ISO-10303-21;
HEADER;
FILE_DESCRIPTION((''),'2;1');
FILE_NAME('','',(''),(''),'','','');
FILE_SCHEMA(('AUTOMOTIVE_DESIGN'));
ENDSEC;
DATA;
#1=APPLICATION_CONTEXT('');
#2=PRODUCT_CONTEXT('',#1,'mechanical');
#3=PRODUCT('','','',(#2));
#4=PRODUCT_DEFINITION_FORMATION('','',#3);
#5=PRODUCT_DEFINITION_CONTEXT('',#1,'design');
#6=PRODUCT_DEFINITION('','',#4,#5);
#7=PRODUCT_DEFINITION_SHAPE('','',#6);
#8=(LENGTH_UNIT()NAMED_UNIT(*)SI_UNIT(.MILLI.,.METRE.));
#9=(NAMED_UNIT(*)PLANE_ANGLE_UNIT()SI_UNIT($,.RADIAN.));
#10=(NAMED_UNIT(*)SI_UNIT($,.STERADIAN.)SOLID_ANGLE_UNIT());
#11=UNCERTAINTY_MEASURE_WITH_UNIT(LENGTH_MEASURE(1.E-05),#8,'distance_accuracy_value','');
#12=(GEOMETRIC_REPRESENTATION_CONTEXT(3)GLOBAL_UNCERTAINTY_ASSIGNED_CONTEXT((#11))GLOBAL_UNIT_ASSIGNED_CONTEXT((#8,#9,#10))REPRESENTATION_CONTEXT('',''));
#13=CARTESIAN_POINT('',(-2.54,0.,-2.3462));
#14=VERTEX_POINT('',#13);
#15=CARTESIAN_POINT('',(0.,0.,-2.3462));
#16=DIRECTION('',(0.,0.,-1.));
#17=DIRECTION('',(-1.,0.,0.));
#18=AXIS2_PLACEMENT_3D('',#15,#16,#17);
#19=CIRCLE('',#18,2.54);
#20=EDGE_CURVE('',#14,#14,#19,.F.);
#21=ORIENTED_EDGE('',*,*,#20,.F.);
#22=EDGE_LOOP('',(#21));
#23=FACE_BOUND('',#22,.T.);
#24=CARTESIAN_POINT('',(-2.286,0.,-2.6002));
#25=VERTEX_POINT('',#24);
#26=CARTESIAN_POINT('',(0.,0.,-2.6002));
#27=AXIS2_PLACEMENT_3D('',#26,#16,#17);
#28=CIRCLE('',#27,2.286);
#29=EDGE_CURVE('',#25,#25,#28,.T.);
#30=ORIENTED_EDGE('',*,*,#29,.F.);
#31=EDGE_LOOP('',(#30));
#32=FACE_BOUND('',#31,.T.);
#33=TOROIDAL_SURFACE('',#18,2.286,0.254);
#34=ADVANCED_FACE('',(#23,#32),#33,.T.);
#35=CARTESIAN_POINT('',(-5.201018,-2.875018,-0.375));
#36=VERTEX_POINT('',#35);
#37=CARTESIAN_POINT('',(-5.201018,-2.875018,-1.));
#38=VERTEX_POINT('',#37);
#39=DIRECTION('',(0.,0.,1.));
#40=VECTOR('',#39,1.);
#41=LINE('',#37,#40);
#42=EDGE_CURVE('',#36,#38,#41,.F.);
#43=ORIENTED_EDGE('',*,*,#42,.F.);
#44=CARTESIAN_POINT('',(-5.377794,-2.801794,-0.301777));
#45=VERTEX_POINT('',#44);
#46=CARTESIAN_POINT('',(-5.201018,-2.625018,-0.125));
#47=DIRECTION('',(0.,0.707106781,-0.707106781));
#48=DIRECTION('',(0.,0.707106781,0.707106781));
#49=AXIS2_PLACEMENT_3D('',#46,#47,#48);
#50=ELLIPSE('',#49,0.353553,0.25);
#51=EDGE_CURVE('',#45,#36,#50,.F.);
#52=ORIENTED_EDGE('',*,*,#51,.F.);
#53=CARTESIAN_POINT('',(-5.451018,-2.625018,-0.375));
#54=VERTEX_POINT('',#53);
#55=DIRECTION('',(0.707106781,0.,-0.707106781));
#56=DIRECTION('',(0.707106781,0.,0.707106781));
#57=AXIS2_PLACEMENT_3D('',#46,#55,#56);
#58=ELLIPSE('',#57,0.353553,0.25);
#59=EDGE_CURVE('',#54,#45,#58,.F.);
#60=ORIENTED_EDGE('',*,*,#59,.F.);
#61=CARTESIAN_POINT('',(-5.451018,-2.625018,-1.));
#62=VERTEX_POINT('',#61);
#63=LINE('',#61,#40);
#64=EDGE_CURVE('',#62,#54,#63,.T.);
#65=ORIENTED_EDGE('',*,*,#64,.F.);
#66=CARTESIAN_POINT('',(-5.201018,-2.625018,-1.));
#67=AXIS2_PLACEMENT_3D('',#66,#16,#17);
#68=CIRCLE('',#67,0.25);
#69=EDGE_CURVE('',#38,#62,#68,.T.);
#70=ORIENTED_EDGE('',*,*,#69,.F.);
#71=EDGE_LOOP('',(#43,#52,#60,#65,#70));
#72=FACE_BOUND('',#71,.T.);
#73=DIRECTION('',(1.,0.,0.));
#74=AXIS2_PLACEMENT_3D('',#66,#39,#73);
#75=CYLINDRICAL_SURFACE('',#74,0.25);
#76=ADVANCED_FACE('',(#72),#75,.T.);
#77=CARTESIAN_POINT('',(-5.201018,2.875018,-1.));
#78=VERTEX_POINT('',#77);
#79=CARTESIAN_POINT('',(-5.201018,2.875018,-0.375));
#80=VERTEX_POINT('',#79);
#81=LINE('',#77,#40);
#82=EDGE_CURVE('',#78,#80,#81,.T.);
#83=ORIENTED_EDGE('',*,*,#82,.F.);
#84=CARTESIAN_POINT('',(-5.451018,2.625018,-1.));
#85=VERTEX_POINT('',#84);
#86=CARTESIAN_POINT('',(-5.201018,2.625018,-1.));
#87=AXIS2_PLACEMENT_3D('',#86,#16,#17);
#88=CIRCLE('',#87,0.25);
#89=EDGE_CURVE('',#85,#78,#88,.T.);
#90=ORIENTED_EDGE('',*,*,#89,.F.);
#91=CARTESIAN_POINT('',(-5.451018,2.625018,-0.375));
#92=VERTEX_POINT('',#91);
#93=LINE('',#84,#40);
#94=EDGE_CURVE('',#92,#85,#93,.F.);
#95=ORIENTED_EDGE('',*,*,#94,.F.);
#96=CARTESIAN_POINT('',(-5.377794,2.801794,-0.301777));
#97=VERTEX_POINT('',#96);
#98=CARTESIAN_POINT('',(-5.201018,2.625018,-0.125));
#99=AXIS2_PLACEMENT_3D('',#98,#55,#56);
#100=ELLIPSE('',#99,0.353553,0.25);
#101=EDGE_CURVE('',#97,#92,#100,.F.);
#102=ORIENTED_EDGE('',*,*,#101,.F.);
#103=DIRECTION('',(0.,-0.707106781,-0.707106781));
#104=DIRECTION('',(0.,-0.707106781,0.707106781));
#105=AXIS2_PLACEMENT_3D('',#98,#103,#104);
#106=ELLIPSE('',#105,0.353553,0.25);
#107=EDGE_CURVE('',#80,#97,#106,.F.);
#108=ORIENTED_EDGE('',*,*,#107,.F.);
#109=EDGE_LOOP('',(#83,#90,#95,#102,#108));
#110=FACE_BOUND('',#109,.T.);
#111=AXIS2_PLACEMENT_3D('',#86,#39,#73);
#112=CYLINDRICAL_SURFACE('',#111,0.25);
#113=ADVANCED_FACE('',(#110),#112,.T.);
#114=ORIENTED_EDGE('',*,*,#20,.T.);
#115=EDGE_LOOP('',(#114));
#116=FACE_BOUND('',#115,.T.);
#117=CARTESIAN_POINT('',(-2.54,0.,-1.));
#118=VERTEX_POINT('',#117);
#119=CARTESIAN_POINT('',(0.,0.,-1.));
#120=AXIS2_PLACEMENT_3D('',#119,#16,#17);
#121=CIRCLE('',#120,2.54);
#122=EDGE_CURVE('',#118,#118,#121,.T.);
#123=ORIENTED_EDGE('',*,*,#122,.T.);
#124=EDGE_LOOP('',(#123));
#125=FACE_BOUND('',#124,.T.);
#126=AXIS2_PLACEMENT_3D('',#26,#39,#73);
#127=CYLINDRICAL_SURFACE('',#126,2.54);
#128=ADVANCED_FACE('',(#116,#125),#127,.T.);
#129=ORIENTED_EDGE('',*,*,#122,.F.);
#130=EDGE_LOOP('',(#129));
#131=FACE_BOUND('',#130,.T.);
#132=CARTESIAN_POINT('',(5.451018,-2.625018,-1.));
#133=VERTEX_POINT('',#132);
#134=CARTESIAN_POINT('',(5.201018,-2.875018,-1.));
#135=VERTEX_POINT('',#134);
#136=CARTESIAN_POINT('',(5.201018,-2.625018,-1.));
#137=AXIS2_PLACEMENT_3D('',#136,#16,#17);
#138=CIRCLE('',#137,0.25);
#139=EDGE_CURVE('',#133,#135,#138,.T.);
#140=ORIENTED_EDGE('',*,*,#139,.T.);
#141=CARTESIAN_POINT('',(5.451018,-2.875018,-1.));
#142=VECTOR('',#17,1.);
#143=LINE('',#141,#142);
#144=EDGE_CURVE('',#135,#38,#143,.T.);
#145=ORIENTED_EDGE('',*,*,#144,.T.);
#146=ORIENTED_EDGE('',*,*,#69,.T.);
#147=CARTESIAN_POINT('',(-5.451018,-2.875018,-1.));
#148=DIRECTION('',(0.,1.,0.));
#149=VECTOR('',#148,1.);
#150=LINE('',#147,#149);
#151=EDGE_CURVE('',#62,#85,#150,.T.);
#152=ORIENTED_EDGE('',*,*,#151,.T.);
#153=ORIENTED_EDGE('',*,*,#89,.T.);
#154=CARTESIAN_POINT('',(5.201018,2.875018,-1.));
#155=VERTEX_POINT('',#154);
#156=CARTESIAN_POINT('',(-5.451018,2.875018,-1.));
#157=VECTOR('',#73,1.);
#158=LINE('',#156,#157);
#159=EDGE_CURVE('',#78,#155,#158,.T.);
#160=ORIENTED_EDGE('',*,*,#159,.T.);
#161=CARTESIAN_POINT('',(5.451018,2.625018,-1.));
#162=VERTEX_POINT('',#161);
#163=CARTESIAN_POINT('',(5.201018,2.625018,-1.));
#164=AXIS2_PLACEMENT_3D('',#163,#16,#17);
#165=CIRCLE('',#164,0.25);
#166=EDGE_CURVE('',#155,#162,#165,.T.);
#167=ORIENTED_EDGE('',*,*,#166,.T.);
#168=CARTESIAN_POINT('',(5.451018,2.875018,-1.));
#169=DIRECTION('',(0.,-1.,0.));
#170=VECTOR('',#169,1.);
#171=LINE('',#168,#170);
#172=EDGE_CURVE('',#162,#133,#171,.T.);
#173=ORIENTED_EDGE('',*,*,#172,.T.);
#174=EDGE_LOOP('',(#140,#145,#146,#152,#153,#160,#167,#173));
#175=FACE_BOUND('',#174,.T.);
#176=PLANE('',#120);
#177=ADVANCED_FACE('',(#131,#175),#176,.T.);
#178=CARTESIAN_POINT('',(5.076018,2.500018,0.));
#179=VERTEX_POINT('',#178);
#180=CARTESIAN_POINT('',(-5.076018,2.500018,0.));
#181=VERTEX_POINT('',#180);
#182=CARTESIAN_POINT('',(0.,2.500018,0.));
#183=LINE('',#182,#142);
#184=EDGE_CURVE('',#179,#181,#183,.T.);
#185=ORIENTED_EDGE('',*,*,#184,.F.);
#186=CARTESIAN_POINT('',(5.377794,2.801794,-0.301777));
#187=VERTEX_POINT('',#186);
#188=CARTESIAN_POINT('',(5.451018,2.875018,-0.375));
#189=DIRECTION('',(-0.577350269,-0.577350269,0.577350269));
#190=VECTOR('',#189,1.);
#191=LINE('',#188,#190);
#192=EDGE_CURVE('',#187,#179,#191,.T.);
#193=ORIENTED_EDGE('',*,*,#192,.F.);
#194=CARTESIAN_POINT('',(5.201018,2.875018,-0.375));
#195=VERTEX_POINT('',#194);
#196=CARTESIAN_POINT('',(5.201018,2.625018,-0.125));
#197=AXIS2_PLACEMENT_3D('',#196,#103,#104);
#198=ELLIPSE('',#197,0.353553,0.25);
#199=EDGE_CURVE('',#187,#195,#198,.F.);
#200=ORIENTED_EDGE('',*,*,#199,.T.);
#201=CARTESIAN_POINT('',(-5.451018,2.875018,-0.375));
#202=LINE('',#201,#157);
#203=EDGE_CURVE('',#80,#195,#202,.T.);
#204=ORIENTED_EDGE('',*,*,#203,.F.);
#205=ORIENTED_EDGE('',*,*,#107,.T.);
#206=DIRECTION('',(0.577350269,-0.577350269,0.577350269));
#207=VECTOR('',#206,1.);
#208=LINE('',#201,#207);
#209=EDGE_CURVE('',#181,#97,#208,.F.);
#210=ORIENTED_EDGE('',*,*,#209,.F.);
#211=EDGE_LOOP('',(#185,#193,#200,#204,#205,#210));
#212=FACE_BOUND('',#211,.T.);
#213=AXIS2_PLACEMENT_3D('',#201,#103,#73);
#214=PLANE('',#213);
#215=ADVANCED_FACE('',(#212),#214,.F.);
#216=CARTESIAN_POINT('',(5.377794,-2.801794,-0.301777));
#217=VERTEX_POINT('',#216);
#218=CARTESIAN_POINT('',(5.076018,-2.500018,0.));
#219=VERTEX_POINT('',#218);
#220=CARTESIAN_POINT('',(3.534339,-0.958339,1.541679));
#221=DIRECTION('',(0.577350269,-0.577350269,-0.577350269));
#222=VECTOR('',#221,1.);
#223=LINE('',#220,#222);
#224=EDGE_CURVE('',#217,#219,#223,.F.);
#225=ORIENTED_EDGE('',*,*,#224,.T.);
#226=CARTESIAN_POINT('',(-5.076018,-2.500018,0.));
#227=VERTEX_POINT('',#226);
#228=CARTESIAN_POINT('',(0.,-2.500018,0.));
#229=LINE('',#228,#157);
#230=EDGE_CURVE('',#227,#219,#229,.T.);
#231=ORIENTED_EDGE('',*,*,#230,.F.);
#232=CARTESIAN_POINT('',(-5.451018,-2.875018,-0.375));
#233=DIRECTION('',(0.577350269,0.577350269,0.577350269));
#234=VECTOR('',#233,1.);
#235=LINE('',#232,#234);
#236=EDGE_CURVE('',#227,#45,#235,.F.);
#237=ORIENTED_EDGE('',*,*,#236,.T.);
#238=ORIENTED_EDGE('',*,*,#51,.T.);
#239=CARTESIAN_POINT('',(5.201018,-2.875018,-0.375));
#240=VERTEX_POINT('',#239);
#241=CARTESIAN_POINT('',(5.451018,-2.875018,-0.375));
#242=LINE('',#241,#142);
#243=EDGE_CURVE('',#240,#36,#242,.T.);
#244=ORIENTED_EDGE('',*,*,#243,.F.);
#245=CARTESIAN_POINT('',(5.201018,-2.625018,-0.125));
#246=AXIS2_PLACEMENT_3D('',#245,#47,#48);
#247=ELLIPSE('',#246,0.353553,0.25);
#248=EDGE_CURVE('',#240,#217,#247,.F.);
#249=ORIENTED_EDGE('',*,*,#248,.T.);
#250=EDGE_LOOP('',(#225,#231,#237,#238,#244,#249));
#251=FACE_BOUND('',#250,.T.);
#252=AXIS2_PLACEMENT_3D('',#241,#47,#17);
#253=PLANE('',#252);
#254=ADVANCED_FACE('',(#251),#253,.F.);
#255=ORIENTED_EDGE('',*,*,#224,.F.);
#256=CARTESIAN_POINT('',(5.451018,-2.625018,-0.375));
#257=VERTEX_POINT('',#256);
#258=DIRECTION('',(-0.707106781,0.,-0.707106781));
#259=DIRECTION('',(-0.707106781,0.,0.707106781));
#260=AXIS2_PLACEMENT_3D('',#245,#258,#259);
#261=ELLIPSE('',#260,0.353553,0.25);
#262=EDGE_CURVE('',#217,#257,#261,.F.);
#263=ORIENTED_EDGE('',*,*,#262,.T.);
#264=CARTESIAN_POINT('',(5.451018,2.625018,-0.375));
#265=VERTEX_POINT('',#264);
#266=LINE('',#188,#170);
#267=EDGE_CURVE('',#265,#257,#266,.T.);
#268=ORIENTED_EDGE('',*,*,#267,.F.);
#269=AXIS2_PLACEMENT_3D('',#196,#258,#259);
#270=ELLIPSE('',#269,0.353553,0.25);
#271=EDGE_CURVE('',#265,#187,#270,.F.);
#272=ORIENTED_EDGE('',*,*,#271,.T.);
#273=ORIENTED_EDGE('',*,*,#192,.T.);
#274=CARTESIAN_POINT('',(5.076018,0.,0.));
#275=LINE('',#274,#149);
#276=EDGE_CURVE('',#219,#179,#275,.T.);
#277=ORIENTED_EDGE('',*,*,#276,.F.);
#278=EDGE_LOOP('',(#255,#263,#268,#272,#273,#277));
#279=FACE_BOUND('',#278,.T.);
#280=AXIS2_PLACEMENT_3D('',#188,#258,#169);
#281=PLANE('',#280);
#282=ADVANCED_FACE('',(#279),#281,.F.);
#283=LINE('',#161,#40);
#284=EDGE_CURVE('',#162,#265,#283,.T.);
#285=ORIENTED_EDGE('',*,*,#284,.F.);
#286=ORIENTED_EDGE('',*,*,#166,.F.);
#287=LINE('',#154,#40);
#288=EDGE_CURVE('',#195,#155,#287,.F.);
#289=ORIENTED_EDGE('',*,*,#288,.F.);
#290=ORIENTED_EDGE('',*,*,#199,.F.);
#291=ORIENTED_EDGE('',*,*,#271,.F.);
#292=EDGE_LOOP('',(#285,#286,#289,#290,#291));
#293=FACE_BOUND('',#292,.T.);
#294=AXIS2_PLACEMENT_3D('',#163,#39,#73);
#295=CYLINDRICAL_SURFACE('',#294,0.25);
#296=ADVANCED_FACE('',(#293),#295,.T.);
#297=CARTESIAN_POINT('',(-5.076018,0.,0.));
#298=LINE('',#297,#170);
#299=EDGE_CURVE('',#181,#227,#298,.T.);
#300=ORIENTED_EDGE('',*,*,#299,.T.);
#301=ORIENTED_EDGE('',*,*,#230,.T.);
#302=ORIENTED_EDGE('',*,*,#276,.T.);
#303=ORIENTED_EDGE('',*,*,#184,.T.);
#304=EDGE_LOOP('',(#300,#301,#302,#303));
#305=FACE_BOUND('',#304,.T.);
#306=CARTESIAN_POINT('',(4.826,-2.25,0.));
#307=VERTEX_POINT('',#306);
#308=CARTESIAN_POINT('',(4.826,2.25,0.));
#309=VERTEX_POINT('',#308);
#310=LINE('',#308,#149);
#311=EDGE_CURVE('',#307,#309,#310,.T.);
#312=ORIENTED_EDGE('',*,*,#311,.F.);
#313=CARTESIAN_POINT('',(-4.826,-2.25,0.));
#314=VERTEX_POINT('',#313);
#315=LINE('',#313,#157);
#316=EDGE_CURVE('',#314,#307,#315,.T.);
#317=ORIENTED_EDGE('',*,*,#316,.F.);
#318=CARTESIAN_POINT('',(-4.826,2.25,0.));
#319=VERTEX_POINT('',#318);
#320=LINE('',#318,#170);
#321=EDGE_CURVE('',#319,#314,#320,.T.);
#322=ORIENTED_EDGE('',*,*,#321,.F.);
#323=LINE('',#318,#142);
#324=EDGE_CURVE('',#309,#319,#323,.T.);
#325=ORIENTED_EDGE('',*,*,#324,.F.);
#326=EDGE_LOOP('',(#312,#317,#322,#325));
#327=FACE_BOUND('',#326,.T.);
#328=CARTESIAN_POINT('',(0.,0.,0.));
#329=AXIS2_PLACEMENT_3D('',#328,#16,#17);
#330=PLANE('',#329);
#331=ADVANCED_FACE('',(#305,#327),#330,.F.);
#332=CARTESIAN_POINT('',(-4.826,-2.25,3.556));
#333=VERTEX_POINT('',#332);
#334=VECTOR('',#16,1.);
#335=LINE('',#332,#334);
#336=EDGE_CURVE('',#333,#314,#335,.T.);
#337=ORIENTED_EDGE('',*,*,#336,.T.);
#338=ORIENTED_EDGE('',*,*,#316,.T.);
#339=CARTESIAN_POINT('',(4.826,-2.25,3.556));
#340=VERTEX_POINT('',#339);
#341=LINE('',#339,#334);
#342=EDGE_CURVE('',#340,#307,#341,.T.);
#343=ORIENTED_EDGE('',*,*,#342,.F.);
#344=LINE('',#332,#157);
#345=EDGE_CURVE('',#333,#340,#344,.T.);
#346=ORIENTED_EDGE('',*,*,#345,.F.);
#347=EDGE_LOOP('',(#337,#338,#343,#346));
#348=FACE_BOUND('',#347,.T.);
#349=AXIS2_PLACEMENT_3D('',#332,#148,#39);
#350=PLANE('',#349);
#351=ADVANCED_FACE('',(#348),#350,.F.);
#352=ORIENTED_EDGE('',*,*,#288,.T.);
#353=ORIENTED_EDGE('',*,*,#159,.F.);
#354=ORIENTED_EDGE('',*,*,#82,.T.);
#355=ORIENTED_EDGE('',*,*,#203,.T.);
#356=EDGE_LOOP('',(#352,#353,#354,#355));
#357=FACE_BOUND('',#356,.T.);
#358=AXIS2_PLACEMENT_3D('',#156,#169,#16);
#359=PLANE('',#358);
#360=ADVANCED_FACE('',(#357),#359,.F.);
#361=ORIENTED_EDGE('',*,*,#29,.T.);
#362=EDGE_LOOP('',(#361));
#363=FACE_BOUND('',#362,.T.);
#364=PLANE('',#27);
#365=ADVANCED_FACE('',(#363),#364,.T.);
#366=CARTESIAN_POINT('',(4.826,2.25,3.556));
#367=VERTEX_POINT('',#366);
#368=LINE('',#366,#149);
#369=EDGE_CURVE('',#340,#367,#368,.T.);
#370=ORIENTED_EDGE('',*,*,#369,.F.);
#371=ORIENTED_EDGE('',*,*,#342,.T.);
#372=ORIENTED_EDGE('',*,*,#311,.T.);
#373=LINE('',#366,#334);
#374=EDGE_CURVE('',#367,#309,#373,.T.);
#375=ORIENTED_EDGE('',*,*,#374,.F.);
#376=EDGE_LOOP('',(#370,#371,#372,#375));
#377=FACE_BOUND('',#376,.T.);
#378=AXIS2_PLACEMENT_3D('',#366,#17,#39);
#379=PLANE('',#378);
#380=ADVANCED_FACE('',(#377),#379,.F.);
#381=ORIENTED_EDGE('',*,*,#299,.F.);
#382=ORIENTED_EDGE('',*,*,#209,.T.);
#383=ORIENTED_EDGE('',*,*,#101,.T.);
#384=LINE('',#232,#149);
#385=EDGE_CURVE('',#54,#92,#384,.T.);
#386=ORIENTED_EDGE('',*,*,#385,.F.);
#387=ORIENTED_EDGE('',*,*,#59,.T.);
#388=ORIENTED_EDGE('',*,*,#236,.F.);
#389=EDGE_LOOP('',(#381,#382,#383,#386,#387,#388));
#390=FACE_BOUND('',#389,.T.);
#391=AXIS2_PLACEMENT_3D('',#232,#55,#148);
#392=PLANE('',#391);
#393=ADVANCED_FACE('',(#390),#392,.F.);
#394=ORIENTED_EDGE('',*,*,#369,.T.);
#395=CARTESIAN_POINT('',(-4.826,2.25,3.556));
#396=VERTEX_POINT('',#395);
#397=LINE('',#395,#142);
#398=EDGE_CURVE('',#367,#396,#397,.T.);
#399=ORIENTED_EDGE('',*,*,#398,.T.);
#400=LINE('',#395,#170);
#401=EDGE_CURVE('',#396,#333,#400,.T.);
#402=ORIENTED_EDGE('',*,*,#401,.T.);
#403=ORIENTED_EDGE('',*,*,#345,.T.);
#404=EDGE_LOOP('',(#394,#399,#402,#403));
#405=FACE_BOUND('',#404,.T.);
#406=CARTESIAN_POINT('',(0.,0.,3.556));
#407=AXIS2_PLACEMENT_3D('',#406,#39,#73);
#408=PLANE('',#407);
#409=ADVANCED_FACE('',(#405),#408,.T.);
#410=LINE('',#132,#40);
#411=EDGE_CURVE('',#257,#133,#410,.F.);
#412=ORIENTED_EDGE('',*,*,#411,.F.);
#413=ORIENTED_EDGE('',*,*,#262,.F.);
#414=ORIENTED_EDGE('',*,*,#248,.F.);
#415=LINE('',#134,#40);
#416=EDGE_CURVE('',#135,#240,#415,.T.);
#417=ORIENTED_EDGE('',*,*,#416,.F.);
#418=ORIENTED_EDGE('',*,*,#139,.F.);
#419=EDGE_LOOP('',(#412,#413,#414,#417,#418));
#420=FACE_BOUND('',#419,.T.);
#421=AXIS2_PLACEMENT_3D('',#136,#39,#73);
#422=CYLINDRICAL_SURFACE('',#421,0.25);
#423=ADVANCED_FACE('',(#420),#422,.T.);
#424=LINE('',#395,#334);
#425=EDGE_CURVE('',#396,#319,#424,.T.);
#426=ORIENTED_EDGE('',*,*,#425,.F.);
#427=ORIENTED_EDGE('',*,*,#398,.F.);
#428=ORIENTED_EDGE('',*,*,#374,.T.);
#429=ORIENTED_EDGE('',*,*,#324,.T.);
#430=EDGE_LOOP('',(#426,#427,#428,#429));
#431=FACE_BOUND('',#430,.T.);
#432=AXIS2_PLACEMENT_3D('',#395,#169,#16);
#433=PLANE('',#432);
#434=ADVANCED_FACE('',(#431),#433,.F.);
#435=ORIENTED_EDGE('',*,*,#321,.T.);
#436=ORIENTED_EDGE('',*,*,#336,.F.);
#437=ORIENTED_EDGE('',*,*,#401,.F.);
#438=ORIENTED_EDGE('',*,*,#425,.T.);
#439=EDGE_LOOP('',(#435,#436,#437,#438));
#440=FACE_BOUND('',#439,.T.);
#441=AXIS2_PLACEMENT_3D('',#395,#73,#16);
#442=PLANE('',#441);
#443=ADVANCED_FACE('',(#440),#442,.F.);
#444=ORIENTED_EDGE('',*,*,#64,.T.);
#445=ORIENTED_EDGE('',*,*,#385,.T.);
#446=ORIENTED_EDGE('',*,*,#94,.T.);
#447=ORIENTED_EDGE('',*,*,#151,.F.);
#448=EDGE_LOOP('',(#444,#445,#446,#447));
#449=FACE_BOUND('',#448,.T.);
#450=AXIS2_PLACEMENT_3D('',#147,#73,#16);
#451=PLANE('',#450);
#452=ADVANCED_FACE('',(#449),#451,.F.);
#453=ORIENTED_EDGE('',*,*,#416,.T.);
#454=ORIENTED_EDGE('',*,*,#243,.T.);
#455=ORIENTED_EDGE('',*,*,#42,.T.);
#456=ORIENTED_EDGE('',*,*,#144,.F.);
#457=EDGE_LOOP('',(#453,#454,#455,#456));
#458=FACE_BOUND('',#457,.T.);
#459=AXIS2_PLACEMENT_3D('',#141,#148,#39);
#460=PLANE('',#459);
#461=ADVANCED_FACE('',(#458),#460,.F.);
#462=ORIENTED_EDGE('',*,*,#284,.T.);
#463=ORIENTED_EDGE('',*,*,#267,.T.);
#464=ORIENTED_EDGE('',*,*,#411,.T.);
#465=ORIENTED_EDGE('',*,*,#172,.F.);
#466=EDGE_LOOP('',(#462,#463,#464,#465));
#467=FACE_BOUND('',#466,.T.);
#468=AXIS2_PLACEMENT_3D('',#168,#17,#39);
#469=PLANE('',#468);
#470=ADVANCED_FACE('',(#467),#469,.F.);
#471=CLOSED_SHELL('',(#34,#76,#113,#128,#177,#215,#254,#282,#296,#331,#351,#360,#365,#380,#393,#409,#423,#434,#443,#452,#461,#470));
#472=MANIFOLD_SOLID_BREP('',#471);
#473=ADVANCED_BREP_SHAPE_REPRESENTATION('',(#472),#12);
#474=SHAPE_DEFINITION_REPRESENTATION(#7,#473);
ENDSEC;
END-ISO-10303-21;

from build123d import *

# Parameters (mm, degrees)
SKETCH1_W         = 9.652
SKETCH1_H         = 4.5
BUTTON_BASE_DEPTH = 3.556
SKETCH2_W         = 10.9020356
SKETCH2_H         = 5.7500356
GUIDE_DEPTH       = 1
SKETCH3_R         = 2.54
ARM_DEPTH         = 1.6002
CHAMFER1_SIZE     = 0.375
FILLET1_R         = 0.25
FILLET2_R         = 0.254


with BuildPart() as part:
    # Sketch1 → Button Base (new body)
    with BuildSketch(Plane.XY):
        Rectangle(SKETCH1_W, SKETCH1_H)
    extrude(amount=BUTTON_BASE_DEPTH)

    # Sketch2 → Guide (add)
    with BuildSketch(Plane(origin=(0, 0, 0), x_dir=(-1, 0, 0), z_dir=(0, 0, -1))):
        Rectangle(SKETCH2_W, SKETCH2_H)
    extrude(amount=GUIDE_DEPTH)

    # Sketch3 → Arm (add)
    with BuildSketch(Plane(origin=(0, 0, -1), x_dir=(-1, 0, 0), z_dir=(0, 0, -1))):
        Circle(SKETCH3_R)
    extrude(amount=ARM_DEPTH)

    # Chamfer1
    chamfer1_edges = [part.edges().sort_by_distance(p)[0] for p in [
        (0, -2.8750178, 0),
        (-5.4510178, 0, 0),
        (0, 2.8750178, 0),
        (5.4510178, 0, 0),
    ]]
    chamfer(chamfer1_edges, length=CHAMFER1_SIZE)

    # Fillet1
    fillet1_edges = [part.edges().sort_by_distance(p)[0] for p in [
        (5.4510178, -2.8750178, -0.6875),
        (-5.4510178, -2.8750178, -0.6875),
        (-5.4510178, 2.8750178, -0.6875),
        (5.4510178, 2.8750178, -0.6875),
    ]]
    fillet(fillet1_edges, radius=FILLET1_R)

    # Fillet2
    fillet2_edges = [part.edges().sort_by_distance(p)[0] for p in [
        (2.54, 0, -2.6002),
    ]]
    fillet(fillet2_edges, radius=FILLET2_R)


solid = part.part
